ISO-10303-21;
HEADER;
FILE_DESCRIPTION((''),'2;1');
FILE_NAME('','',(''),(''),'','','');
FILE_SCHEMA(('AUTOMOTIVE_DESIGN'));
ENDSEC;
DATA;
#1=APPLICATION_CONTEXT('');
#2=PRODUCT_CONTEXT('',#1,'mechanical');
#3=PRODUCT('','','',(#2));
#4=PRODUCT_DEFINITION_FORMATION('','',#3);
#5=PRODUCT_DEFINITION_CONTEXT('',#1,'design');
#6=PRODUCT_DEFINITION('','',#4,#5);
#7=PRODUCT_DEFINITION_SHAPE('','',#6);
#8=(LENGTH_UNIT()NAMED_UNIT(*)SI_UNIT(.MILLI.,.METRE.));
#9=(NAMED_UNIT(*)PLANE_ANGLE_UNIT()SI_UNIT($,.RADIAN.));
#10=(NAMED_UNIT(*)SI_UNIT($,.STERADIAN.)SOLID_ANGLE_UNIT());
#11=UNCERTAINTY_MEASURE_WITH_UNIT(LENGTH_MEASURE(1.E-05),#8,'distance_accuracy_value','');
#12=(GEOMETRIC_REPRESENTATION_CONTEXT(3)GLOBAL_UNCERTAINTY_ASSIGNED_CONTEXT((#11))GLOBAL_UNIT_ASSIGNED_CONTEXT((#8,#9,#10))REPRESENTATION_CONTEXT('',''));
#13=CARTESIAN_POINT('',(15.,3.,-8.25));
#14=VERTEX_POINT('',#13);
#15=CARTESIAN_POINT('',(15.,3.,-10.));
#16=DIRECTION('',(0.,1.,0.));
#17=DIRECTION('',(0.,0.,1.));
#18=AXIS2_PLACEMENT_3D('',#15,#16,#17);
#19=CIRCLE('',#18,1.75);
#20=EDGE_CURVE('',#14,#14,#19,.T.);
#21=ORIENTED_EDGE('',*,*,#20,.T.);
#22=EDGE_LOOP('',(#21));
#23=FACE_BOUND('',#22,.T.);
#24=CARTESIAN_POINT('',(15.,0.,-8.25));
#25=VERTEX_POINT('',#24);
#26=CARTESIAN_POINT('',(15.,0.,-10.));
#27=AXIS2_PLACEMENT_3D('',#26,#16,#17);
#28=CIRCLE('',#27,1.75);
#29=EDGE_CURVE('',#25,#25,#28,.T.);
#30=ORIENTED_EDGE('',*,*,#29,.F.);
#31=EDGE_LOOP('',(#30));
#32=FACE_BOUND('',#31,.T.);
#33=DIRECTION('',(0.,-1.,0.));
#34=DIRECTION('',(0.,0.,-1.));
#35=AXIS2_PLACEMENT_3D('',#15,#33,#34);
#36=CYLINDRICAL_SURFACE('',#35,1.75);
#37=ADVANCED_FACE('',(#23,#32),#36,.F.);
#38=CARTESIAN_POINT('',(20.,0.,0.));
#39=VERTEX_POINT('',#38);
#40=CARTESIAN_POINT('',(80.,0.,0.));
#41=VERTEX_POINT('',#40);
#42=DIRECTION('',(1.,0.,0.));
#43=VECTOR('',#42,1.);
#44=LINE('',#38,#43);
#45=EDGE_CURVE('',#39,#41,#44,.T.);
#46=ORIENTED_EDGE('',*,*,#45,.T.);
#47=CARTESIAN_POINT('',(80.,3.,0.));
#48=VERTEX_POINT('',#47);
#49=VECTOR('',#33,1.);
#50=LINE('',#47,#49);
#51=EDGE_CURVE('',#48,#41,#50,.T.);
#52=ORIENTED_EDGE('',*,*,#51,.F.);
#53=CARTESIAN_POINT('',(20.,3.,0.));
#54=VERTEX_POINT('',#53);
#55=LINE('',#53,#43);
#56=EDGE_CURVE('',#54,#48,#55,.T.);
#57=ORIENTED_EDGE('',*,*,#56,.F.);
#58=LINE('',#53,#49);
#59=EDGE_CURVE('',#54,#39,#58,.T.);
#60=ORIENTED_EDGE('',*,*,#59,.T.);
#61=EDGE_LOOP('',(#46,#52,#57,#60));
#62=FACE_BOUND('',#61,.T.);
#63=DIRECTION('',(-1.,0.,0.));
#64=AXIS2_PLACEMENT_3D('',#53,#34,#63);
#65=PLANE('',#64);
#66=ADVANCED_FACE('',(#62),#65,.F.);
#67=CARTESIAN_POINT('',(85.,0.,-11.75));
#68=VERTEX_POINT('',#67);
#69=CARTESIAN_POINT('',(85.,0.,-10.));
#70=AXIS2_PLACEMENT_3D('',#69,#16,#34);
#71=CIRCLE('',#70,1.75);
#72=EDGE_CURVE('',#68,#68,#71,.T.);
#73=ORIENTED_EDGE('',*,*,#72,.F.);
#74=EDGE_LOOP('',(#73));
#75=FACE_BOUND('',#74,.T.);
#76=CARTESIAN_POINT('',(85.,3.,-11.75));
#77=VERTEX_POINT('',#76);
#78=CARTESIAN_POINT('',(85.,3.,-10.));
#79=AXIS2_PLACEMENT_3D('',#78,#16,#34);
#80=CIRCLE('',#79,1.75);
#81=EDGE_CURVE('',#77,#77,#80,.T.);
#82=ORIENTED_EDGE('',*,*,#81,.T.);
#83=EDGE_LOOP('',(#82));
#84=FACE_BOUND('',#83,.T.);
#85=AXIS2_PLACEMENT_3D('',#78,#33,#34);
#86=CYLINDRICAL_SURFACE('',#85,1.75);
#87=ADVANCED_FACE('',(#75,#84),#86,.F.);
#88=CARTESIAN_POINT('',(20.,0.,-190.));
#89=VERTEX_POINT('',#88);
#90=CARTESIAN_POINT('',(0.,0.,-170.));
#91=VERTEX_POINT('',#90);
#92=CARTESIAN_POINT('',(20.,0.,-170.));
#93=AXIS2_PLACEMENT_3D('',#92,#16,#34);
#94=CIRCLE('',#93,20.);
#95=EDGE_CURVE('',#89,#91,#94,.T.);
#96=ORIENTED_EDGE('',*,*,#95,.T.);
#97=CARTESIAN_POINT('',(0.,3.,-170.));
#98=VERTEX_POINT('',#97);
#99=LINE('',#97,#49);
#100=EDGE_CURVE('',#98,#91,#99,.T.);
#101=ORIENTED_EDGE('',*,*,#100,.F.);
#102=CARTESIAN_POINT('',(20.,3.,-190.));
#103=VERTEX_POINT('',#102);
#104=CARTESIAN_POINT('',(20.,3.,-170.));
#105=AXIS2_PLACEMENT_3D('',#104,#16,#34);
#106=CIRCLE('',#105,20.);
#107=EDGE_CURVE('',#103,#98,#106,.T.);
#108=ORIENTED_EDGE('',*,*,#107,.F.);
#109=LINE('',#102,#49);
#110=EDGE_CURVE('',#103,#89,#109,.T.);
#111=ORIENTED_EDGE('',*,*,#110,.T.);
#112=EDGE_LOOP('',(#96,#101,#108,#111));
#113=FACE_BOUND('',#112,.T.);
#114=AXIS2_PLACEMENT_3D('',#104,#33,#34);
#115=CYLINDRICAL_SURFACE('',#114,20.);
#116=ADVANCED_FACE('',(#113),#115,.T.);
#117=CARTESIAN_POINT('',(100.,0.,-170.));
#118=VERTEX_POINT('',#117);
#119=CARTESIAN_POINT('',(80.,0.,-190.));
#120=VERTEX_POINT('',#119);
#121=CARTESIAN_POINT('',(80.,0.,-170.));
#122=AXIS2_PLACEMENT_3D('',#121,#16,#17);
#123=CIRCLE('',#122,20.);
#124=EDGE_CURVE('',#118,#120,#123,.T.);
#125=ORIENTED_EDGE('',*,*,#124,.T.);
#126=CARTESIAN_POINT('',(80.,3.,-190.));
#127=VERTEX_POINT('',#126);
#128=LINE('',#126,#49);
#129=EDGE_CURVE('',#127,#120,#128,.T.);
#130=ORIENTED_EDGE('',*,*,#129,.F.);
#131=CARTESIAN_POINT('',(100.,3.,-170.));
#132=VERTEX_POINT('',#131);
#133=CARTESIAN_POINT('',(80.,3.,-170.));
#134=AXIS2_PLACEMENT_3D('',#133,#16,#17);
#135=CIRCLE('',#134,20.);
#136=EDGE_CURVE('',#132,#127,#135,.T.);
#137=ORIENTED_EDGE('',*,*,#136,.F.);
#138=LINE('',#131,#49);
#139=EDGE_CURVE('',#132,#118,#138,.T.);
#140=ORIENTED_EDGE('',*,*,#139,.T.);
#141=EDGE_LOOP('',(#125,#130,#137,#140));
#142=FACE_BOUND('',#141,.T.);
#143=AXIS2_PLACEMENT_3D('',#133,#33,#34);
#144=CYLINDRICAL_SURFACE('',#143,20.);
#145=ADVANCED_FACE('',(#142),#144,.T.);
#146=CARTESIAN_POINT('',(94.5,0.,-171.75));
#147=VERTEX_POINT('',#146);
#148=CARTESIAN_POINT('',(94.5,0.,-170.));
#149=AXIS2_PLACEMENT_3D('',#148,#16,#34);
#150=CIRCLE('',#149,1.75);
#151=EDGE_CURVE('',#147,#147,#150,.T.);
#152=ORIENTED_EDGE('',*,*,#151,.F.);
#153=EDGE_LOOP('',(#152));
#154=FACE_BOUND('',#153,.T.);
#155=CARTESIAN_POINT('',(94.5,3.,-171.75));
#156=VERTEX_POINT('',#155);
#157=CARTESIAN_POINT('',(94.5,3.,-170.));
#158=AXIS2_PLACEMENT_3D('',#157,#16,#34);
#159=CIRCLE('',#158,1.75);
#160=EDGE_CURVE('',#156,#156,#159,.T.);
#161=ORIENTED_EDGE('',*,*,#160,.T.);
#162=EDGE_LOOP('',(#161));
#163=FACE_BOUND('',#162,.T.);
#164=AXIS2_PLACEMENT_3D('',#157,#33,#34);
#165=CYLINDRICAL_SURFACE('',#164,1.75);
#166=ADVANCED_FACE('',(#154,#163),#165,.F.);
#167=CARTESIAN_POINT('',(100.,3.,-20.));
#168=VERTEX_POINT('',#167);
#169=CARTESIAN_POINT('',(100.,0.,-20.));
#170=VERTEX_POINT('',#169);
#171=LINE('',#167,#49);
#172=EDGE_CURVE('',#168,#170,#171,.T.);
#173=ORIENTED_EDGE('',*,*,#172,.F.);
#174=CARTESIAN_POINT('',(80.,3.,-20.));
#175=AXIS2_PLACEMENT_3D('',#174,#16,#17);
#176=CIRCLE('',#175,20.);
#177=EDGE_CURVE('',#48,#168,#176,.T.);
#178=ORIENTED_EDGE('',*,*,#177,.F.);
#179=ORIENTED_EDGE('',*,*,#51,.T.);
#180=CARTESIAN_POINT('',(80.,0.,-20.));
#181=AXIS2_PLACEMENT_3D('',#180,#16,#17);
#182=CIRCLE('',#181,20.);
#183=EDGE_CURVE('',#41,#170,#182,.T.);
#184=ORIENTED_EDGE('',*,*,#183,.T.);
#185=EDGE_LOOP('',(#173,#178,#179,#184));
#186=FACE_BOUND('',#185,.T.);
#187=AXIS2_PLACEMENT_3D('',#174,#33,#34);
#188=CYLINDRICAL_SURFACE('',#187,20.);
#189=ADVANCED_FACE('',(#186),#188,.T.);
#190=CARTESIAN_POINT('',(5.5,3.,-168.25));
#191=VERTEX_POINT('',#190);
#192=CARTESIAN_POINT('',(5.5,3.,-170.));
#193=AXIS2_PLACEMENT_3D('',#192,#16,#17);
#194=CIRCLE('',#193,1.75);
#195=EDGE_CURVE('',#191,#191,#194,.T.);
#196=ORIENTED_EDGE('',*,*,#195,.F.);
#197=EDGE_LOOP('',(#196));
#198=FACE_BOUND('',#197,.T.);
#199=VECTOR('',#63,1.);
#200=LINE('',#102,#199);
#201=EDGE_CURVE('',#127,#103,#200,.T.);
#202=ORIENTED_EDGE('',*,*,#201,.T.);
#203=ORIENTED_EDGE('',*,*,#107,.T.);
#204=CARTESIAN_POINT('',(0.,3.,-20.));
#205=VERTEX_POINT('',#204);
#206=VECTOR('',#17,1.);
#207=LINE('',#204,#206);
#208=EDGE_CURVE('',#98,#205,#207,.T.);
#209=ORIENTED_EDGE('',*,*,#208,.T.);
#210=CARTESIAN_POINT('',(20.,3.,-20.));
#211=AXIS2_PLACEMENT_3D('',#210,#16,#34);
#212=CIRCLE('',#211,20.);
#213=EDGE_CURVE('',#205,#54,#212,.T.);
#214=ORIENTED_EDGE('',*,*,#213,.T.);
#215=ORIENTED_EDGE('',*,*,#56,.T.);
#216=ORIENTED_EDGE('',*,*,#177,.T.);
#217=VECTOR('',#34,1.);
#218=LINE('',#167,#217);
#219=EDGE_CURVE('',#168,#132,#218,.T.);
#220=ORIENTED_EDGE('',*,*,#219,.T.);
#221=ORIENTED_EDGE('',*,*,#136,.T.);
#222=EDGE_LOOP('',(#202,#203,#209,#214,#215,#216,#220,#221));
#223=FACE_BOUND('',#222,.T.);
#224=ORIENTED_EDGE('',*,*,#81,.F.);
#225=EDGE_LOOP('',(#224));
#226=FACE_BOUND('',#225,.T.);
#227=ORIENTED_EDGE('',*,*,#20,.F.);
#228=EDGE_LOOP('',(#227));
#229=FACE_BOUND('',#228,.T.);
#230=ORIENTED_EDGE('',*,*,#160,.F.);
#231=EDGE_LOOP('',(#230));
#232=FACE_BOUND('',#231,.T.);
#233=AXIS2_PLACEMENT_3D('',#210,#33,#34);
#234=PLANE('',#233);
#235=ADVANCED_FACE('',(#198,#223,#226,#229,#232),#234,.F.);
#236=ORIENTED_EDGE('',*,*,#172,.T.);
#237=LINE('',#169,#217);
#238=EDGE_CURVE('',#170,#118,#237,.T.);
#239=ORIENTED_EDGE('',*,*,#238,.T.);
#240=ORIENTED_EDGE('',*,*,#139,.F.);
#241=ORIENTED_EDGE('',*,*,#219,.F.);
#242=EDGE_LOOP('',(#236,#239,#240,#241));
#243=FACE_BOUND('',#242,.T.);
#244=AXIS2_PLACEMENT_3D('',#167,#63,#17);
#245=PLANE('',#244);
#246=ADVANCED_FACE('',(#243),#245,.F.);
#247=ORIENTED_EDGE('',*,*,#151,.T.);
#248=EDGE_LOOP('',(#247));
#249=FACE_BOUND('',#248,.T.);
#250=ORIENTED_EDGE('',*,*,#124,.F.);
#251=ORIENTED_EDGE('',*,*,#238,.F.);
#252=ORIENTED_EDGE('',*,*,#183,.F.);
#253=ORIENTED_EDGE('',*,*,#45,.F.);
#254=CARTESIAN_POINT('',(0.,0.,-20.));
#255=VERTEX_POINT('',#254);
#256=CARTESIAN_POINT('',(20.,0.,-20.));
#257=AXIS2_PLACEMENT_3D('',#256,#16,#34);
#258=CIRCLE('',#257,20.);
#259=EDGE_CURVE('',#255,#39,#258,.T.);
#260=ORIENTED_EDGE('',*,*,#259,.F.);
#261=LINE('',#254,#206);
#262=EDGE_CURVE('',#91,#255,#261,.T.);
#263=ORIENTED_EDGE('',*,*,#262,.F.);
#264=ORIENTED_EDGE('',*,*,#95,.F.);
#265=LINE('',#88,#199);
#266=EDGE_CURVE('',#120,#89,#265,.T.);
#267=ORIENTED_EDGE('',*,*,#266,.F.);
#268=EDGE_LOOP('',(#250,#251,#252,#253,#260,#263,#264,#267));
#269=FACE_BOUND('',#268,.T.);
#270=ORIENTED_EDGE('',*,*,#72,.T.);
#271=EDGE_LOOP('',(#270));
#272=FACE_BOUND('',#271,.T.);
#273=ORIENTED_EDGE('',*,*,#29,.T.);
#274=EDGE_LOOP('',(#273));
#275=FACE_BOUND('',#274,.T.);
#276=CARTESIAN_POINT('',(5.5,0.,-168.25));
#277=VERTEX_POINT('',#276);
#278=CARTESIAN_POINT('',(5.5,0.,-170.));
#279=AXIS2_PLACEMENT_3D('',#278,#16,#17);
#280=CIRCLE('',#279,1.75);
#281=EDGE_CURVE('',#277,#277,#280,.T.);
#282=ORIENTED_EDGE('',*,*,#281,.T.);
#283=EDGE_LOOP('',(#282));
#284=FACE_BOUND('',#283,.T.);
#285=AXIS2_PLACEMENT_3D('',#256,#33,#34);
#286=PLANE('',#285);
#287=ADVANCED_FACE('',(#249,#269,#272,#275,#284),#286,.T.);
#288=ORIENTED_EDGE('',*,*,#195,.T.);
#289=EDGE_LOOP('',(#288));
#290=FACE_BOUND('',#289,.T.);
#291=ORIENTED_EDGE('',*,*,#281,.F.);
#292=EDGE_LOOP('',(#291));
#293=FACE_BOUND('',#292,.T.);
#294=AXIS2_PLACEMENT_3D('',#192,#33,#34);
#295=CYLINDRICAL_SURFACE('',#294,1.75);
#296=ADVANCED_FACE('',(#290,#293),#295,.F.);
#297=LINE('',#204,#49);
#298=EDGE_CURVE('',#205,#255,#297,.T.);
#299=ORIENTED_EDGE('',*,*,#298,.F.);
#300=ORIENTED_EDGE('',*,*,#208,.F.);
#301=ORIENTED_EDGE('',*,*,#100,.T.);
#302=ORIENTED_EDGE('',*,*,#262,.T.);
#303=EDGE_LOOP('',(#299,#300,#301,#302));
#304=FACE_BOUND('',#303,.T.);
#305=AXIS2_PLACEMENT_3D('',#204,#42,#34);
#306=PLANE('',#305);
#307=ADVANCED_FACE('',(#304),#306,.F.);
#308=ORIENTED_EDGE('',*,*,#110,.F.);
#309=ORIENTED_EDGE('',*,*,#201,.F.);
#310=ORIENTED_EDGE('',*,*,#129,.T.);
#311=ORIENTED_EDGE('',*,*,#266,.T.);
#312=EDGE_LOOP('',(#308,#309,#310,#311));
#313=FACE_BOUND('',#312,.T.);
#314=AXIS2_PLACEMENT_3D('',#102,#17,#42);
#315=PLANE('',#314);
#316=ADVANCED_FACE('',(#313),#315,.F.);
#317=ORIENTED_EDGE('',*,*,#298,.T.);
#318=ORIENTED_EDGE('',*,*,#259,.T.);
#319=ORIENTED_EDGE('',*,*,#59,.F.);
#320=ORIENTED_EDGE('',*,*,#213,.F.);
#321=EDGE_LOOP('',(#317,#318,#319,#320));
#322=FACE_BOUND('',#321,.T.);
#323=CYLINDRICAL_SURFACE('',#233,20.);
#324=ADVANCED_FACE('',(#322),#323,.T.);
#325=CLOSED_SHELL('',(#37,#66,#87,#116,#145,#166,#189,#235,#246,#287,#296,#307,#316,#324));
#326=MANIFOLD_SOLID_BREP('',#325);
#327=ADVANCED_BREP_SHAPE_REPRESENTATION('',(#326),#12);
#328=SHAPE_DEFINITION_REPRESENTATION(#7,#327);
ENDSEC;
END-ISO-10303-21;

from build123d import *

# Parameters (mm, degrees)
SKETCH1_R           = 1.75
BOSS_EXTRUDE1_DEPTH = 3


with BuildPart() as part:
    # Sketch1 → Boss-Extrude1 (new body)
    with BuildSketch(Plane(origin=(0, 0, 0), x_dir=(1, 0, 0), z_dir=(0, 1, 0))):
        with BuildLine():
            Line((20, 0), (80, 0))
            ThreePointArc((80, 0), (94.142135624, 5.857864376), (100, 20))
            Line((100, 20), (100, 170))
            ThreePointArc((100, 170), (94.142135624, 184.142135624), (80, 190))
            Line((80, 190), (20, 190))
            ThreePointArc((20, 190), (5.857864376, 184.142135624), (0, 170))
            Line((0, 170), (0, 20))
            ThreePointArc((0, 20), (5.857864376, 5.857864376), (20, 0))
        make_face()
        with Locations(Location((5.5, 170, 0), (0, 0, 270))):
            Circle(SKETCH1_R, mode=Mode.SUBTRACT)
        with Locations(Location((15, 10, 0), (0, 0, 270))):
            Circle(SKETCH1_R, mode=Mode.SUBTRACT)
        with Locations(Location((85, 10, 0), (0, 0, 90))):
            Circle(SKETCH1_R, mode=Mode.SUBTRACT)
        with Locations(Location((94.5, 170, 0), (0, 0, 90))):
            Circle(SKETCH1_R, mode=Mode.SUBTRACT)
    extrude(amount=BOSS_EXTRUDE1_DEPTH)


solid = part.part
